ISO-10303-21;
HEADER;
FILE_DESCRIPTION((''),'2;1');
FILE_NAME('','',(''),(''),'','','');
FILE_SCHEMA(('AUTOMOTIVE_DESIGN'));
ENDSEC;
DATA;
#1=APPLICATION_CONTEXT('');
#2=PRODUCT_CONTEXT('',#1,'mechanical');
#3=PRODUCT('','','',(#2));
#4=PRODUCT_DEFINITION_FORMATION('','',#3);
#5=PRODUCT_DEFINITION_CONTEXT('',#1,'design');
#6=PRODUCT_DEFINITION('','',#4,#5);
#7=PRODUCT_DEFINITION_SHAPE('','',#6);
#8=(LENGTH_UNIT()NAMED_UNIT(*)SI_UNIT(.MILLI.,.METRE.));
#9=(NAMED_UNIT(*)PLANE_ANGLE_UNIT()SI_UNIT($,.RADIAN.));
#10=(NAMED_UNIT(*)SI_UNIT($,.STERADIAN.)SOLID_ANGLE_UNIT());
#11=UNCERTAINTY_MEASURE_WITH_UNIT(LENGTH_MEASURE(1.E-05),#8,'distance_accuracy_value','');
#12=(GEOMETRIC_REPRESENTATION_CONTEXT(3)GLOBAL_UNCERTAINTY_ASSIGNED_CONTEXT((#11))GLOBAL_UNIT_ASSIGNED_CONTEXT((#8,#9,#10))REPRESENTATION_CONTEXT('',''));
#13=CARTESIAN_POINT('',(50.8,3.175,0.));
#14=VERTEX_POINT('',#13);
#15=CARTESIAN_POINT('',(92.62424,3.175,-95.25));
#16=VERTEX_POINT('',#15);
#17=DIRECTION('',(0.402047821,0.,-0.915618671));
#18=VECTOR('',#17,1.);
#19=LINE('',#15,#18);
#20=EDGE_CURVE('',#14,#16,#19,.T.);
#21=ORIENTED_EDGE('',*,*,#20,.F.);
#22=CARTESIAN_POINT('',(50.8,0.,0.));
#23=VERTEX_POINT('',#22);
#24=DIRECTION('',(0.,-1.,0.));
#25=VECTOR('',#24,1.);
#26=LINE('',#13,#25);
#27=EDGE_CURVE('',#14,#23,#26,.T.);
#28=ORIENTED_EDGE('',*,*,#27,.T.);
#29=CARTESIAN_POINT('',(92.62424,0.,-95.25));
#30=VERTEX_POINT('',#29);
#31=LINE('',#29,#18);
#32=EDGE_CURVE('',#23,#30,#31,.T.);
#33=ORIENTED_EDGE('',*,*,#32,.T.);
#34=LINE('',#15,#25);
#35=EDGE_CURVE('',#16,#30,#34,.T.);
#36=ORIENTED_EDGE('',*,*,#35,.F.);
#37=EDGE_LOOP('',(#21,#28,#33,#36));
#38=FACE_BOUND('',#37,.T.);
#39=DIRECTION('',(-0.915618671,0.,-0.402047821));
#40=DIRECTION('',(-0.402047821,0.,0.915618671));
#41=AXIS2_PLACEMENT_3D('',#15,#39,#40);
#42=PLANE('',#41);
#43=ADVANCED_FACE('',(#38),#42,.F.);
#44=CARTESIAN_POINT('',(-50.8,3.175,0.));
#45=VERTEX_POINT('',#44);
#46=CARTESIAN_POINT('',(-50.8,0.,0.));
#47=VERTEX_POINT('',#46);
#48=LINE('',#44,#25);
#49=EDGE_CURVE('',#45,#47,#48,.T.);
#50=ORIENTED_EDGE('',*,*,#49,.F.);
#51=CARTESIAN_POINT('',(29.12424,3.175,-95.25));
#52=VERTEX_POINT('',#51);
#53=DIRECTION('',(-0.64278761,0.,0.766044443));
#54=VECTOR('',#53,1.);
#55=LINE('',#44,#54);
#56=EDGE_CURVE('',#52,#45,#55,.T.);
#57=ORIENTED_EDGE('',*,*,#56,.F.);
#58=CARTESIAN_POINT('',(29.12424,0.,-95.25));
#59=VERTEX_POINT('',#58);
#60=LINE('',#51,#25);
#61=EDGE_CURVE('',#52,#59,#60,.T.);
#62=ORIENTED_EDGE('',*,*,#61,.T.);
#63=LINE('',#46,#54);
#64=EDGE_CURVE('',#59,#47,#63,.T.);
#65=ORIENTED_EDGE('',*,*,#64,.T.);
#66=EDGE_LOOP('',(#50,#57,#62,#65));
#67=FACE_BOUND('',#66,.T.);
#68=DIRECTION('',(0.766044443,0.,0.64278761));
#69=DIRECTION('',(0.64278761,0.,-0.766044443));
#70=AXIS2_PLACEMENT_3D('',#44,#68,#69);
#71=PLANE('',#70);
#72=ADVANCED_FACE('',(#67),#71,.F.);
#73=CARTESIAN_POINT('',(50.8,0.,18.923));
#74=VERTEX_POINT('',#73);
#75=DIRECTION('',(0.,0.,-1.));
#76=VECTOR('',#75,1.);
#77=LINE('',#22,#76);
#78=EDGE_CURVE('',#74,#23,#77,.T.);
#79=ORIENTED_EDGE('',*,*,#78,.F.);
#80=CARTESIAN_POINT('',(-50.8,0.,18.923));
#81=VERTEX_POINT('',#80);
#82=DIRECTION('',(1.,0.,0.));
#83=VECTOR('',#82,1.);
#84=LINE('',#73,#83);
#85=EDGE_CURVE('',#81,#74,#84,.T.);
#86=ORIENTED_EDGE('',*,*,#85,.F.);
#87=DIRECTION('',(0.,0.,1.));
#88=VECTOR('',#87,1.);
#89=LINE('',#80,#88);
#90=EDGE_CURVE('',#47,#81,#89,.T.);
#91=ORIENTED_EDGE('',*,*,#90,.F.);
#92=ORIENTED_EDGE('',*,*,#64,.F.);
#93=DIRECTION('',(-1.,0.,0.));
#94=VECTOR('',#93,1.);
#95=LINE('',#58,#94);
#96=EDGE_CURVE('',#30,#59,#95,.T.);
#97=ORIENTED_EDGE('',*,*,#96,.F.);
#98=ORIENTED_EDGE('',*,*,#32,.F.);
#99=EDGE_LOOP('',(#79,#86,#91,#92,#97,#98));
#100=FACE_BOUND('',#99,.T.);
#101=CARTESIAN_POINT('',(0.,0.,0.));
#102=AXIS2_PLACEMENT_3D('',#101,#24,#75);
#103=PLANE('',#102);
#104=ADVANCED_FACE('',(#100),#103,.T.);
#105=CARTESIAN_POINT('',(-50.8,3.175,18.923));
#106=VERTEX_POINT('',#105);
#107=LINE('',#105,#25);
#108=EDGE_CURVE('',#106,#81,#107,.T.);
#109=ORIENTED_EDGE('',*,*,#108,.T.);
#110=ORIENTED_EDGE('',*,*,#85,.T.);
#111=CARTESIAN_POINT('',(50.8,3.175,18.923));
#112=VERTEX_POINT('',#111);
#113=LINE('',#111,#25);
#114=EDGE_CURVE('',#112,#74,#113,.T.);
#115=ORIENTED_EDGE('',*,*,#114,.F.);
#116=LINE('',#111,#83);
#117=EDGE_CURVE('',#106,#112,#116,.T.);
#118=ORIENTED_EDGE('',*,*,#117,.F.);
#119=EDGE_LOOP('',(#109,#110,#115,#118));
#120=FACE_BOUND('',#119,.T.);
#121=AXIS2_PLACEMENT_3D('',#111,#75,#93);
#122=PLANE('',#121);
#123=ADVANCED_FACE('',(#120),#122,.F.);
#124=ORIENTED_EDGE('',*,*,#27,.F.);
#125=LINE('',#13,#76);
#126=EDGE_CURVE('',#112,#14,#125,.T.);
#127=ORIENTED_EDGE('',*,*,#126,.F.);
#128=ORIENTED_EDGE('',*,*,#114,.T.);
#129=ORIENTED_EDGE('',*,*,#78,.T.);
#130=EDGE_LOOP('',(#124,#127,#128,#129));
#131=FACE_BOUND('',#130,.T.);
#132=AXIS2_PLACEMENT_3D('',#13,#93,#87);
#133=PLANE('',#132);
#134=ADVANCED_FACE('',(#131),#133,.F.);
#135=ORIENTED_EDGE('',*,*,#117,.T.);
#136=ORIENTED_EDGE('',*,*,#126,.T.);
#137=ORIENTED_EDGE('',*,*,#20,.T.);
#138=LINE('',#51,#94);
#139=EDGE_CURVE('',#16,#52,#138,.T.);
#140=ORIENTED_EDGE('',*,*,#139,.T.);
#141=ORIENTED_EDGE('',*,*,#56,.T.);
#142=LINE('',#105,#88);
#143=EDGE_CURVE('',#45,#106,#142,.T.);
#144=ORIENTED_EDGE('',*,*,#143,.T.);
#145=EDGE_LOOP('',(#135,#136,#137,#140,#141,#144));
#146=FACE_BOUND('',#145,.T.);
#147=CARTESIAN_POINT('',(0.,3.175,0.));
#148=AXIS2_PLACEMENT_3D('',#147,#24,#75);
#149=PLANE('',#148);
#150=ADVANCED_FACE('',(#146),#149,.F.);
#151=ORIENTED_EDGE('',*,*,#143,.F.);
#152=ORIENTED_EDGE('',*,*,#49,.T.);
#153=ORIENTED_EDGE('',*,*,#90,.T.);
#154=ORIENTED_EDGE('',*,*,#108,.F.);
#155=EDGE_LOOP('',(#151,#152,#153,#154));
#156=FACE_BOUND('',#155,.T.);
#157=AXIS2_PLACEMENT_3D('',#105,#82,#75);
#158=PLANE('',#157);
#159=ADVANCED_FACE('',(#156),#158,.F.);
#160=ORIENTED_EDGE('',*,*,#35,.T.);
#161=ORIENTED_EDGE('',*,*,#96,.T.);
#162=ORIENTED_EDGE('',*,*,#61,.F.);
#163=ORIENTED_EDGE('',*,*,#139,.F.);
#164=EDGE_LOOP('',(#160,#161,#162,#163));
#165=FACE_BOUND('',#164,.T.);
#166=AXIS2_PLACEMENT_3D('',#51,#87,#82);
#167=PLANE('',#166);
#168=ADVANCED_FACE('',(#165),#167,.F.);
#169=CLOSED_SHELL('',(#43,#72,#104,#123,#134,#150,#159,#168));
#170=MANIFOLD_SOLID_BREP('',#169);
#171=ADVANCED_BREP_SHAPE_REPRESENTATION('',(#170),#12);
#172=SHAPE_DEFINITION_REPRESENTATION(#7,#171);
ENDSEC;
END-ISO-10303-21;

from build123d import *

# Parameters (mm, degrees)
BOSS_EXTRUDE1_DEPTH = 3.175


with BuildPart() as part:
    # Sketch1 → Boss-Extrude1 (new body)
    with BuildSketch(Plane(origin=(0, 0, 0), x_dir=(1, 0, 0), z_dir=(0, 1, 0))):
        Polygon((-50.8, 0), (29.12423987, 95.25), (92.62423987, 95.25), (50.8, 0), (50.8, -18.923), (-50.8, -18.923), align=None)
    extrude(amount=BOSS_EXTRUDE1_DEPTH)


solid = part.part
